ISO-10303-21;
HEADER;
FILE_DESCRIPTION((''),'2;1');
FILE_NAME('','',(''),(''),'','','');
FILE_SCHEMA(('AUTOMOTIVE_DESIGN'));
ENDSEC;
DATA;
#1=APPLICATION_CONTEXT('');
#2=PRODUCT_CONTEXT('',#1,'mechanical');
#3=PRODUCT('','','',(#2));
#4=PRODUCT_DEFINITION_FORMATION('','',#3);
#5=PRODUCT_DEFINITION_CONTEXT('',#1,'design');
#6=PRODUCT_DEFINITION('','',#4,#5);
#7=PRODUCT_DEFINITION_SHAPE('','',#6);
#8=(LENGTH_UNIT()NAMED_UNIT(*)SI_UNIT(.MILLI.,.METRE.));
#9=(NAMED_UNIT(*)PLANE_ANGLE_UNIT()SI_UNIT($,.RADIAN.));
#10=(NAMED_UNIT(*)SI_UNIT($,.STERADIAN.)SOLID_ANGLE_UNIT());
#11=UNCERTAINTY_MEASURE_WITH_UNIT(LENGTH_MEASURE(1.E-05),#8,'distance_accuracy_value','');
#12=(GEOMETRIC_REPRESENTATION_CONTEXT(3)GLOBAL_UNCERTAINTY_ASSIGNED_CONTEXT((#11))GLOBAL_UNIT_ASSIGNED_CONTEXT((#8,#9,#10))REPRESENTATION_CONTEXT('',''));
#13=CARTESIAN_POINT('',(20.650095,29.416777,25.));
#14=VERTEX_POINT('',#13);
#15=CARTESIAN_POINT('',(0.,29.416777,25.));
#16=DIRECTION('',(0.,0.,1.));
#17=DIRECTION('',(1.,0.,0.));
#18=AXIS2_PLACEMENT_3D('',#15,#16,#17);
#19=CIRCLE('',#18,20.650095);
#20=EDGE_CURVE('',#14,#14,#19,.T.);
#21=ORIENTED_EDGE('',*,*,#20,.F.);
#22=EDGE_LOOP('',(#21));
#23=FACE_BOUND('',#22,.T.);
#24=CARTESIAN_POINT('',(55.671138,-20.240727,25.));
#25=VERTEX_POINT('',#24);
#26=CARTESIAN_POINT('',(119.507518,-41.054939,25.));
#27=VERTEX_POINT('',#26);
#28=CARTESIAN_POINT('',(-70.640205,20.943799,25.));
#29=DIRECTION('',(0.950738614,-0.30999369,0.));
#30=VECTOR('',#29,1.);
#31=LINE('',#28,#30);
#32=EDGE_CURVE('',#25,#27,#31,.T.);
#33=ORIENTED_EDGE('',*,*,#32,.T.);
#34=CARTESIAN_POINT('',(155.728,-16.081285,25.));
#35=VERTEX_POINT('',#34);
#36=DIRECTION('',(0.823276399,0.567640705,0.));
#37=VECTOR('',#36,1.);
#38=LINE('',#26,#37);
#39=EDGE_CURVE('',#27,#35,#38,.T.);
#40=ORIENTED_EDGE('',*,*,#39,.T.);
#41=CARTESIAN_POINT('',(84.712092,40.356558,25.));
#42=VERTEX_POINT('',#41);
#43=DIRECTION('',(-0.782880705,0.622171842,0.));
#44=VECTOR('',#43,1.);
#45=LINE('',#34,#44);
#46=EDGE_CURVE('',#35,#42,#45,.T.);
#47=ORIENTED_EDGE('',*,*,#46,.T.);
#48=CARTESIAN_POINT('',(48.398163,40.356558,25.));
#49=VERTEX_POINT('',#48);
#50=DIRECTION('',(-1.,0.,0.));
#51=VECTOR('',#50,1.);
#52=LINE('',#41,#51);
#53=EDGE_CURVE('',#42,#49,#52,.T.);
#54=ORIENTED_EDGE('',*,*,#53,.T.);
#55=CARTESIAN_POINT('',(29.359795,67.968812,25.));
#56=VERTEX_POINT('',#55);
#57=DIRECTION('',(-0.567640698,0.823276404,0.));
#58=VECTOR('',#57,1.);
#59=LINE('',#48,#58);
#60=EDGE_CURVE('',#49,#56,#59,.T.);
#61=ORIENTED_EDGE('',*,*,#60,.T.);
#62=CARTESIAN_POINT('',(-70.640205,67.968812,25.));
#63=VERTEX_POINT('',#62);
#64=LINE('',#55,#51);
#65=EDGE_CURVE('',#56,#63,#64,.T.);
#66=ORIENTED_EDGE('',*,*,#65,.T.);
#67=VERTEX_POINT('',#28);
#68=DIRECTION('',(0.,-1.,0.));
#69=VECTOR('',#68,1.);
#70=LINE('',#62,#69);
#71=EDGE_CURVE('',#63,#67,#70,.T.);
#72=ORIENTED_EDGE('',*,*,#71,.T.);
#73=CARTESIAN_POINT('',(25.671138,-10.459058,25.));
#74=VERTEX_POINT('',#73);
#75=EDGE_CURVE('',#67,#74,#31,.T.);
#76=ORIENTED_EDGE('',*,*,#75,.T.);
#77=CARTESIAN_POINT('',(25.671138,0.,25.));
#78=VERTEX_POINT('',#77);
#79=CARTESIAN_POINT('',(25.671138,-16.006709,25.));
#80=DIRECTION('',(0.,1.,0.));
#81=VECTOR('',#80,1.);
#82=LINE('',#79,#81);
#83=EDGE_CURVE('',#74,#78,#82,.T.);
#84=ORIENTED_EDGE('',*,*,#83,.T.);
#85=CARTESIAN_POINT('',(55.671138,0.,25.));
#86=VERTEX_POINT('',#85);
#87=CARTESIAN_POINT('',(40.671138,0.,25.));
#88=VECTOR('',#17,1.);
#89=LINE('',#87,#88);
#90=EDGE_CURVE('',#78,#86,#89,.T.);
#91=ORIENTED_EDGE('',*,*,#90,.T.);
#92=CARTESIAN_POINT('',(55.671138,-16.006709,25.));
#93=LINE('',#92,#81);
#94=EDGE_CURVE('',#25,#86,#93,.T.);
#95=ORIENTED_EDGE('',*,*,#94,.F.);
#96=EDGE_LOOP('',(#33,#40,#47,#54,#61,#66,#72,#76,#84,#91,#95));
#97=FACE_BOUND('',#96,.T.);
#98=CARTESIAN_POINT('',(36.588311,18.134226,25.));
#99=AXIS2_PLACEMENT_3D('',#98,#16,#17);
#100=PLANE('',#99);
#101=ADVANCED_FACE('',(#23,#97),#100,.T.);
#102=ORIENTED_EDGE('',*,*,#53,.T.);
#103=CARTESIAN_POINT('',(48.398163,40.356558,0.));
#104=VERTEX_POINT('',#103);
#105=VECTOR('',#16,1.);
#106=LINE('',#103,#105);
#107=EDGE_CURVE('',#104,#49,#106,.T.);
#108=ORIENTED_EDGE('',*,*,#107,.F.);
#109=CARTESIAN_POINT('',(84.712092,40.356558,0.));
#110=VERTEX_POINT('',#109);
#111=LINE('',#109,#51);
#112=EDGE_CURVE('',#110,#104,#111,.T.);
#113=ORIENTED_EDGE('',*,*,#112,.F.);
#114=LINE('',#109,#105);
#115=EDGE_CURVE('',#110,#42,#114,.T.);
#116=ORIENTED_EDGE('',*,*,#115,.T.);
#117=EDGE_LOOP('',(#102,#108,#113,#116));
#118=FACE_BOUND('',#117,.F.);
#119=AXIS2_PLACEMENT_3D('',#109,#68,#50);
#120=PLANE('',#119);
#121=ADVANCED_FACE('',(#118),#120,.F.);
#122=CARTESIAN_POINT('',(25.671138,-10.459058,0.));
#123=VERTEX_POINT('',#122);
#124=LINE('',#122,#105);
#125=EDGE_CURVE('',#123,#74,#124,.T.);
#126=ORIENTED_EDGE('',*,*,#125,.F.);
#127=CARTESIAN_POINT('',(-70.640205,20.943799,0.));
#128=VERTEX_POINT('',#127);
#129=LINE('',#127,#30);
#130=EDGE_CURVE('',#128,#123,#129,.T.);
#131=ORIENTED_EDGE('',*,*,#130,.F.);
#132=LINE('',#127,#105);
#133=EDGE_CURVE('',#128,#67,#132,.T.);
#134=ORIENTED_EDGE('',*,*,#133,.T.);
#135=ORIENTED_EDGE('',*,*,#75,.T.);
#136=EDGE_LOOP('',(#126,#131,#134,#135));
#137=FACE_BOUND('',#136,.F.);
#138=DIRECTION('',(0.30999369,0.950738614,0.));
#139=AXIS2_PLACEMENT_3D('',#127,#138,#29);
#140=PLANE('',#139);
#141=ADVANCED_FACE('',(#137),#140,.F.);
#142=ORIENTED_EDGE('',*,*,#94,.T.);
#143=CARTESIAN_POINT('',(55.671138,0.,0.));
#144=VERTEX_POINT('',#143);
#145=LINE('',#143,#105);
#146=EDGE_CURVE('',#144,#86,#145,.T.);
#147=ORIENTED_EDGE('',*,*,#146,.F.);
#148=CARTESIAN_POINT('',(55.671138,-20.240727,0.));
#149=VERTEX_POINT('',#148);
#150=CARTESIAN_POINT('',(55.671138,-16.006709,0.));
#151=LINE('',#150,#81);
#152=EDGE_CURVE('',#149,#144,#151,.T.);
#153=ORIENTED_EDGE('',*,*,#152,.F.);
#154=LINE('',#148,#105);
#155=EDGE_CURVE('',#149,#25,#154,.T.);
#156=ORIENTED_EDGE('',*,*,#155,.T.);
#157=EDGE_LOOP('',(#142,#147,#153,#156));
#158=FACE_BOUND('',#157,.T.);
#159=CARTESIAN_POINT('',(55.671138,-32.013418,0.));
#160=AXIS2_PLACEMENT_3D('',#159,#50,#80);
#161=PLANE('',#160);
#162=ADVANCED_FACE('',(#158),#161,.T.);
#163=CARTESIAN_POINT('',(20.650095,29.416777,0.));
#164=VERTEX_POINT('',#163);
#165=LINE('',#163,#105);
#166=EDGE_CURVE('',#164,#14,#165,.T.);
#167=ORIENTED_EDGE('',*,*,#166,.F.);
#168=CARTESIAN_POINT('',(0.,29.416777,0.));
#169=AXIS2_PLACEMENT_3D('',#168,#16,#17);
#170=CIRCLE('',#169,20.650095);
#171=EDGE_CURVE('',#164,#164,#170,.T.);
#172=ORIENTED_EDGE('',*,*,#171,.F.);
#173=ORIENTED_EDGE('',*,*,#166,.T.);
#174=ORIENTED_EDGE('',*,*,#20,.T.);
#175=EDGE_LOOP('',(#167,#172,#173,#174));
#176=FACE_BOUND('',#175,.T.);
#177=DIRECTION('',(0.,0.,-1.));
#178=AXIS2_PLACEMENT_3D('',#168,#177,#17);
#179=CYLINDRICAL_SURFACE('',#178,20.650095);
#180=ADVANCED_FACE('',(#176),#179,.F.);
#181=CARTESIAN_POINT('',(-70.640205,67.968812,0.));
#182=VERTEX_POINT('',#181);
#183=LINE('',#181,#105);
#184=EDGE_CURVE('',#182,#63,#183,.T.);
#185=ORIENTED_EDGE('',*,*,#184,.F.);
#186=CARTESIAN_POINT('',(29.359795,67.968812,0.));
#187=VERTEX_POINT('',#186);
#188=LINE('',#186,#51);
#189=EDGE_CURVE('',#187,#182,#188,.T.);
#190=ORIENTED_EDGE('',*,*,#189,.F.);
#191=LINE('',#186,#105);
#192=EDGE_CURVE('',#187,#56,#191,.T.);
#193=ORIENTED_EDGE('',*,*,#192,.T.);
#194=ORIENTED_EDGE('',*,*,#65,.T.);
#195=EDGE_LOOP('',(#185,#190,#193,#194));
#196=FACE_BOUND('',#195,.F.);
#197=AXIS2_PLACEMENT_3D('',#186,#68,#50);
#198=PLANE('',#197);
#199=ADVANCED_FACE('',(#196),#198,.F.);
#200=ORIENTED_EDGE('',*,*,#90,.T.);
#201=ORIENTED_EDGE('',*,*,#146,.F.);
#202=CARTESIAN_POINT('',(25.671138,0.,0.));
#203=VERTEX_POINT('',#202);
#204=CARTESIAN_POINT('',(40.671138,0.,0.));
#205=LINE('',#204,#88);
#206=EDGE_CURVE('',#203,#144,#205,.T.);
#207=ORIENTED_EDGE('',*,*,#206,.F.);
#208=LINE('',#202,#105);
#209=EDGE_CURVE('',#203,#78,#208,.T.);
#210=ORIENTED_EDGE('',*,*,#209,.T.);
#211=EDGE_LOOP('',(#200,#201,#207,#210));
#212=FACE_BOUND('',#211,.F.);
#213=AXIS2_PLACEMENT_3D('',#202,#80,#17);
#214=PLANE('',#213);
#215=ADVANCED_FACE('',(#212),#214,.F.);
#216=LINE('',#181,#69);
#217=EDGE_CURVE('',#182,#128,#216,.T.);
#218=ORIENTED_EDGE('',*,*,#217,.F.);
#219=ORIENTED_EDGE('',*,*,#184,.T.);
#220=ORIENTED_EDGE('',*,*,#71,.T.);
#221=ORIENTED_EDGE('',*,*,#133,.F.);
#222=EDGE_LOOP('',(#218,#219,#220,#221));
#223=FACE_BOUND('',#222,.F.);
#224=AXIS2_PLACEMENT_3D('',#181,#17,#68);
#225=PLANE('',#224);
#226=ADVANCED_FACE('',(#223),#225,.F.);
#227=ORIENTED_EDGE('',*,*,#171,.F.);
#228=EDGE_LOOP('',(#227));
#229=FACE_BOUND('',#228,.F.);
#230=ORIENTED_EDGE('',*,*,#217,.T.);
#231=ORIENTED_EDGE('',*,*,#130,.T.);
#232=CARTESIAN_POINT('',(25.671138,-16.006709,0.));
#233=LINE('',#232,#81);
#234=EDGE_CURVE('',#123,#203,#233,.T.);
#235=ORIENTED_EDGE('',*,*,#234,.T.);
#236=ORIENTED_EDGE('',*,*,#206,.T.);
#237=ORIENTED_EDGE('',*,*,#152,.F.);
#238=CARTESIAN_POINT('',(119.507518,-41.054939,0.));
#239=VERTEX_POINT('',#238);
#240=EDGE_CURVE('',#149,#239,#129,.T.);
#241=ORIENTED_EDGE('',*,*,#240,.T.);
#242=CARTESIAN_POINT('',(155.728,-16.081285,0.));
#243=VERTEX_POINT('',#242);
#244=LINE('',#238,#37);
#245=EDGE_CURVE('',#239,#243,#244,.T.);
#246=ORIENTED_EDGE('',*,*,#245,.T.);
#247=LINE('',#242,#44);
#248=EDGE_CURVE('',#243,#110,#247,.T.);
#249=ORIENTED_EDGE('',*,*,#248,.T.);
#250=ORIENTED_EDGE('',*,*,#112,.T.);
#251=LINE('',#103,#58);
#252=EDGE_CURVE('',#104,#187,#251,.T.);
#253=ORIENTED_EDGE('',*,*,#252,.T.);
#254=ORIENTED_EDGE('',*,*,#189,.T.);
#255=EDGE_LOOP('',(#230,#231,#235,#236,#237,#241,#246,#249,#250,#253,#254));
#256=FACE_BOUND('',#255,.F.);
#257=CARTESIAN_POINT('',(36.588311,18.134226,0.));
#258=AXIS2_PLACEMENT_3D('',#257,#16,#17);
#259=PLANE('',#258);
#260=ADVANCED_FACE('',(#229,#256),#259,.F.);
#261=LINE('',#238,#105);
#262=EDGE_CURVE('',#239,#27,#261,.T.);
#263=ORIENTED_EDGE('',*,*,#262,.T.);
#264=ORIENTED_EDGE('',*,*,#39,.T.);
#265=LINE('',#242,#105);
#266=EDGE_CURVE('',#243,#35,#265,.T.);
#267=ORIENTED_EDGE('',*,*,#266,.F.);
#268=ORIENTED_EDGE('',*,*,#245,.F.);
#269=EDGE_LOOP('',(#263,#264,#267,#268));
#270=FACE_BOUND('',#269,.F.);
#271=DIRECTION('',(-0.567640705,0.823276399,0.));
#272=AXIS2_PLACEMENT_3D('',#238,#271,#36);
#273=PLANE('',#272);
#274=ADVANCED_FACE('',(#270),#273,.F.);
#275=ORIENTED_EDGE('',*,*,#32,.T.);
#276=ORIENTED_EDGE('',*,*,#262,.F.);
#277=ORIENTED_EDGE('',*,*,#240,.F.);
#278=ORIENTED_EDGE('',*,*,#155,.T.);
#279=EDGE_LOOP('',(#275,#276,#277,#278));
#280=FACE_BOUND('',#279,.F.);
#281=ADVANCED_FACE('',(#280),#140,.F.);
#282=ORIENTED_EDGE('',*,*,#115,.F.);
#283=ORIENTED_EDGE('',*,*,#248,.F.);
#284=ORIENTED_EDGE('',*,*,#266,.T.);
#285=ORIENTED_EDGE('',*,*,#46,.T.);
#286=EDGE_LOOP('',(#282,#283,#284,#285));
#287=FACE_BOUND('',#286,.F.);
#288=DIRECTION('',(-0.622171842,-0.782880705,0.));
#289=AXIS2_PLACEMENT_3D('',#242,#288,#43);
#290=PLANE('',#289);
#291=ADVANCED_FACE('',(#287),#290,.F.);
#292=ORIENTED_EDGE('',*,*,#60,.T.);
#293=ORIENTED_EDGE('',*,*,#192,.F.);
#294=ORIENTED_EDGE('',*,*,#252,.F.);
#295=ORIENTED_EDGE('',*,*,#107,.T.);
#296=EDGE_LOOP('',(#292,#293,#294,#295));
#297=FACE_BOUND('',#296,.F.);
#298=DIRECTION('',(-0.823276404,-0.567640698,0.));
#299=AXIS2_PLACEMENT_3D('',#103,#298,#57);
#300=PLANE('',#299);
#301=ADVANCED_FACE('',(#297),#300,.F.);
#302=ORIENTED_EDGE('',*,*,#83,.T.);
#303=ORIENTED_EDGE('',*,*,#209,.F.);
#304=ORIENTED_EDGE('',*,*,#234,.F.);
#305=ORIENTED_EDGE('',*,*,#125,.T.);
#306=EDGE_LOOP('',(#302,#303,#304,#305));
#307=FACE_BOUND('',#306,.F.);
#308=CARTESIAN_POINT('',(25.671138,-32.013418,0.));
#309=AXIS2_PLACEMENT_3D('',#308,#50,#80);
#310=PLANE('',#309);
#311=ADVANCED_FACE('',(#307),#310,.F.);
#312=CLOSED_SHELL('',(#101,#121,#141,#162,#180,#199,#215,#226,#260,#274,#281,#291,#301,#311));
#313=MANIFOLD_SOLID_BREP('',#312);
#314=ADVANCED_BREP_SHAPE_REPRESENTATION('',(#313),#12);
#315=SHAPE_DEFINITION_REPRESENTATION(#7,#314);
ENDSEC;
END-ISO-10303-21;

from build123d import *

# Parameters (mm, degrees)
F0_R     = 20.650095
F1_DEPTH = 25
F2_W     = 30
F2_H     = 32.013418
F3_DEPTH = 25


with BuildPart() as f1:
    # F0 (on Top) → F1 (new body)
    with BuildSketch(Plane.XY):
        Polygon((29.359795, 67.968812), (-70.640205, 67.968812), (-70.640205, 20.943799), (119.507518, -41.054939), (155.728, -16.081285), (84.712092, 40.356558), (48.398163, 40.356558), align=None)
        with Locations((0, 29.416777)):
            Circle(F0_R, mode=Mode.SUBTRACT)
    extrude(amount=F1_DEPTH)

    # F2 (on Top) → F3 (cut)
    with BuildSketch(Plane.XY):
        with Locations((40.671138, -16.006709)):
            Rectangle(F2_W, F2_H)
    extrude(amount=F3_DEPTH, mode=Mode.SUBTRACT)


solid = f1.part
